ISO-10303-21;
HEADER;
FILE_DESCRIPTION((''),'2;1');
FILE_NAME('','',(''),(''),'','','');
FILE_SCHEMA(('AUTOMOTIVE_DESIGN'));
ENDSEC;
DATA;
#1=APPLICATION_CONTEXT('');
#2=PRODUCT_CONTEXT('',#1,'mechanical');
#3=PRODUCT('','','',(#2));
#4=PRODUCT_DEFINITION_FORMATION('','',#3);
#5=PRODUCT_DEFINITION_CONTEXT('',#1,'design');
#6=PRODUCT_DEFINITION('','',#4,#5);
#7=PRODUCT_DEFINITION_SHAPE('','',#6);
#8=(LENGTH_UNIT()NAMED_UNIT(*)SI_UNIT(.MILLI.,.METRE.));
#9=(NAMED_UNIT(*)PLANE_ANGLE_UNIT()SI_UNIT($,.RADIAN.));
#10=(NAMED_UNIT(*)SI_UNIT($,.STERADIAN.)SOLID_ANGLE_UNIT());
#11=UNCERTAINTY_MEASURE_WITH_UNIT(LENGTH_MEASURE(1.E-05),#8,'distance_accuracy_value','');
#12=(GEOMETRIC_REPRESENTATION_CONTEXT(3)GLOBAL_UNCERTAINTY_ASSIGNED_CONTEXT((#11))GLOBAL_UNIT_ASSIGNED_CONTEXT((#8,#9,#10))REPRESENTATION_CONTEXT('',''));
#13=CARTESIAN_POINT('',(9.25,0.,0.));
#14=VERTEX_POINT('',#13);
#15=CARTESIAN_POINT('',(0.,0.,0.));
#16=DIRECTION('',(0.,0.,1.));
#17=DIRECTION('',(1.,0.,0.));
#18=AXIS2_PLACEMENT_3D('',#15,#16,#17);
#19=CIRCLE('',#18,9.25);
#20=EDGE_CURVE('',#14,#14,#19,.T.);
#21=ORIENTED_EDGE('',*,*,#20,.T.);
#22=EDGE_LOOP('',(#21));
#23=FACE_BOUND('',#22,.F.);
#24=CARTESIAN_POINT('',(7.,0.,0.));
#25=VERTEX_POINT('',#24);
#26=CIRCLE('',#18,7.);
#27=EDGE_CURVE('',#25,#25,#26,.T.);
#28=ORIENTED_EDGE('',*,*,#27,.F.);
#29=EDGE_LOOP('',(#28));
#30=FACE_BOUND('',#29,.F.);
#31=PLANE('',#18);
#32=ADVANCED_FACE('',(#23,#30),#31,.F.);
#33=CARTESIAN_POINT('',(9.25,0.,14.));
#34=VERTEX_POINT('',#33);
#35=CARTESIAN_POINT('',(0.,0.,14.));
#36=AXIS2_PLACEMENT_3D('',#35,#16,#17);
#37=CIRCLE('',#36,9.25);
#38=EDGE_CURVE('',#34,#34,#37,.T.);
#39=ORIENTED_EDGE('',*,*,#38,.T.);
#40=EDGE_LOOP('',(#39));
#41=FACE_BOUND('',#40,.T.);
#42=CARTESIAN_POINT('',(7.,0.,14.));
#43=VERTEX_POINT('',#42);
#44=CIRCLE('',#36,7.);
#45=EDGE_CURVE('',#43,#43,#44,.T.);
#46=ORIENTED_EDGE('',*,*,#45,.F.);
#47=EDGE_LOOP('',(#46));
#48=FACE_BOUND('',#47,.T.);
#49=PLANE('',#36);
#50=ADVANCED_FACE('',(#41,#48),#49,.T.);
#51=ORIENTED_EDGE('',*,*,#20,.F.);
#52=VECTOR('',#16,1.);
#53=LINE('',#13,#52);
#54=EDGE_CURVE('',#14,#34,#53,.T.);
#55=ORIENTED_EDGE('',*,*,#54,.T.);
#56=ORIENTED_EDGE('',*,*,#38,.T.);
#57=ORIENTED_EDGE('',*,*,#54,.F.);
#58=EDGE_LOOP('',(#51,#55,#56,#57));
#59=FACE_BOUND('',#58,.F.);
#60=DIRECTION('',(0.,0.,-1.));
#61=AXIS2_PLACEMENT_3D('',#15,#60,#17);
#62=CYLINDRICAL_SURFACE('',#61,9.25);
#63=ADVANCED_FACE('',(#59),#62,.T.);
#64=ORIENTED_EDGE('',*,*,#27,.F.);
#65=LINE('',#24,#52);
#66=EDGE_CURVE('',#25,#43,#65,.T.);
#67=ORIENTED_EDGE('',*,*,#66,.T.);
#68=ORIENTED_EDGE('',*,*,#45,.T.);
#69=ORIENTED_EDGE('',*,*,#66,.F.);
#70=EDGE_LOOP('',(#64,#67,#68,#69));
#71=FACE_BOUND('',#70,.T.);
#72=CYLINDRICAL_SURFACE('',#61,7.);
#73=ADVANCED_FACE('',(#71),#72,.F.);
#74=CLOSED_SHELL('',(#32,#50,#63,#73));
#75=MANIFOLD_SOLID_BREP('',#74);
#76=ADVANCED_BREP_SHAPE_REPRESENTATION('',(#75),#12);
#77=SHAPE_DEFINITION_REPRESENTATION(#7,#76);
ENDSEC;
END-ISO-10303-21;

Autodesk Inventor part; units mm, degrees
ref_plane "YZ Plane" through (0, 0, 0) normal (1, 0, 0) x (0, 1, 0)
ref_plane "XZ Plane" through (0, 0, 0) normal (0, 1, 0) x (-1, 0, 0)
ref_plane "XY Plane" through (0, 0, 0) normal (0, 0, 1) x (1, 0, 0)
sketch "Sketch1" plane through (0, 0, 0) normal (0, 0, 1) x (1, 0, 0)
  circle A0 centre (0, 0) radius 9.25
  circle A1 centre (0, 0) radius 7
  dimension "d0" = 18.5
  dimension "d1" = 14
extrude "Extrusion1" add sketch "Sketch1" along normal blind 14
properties part number "Separador de Bujes" material "Steel, High Strength, Low Alloy"
